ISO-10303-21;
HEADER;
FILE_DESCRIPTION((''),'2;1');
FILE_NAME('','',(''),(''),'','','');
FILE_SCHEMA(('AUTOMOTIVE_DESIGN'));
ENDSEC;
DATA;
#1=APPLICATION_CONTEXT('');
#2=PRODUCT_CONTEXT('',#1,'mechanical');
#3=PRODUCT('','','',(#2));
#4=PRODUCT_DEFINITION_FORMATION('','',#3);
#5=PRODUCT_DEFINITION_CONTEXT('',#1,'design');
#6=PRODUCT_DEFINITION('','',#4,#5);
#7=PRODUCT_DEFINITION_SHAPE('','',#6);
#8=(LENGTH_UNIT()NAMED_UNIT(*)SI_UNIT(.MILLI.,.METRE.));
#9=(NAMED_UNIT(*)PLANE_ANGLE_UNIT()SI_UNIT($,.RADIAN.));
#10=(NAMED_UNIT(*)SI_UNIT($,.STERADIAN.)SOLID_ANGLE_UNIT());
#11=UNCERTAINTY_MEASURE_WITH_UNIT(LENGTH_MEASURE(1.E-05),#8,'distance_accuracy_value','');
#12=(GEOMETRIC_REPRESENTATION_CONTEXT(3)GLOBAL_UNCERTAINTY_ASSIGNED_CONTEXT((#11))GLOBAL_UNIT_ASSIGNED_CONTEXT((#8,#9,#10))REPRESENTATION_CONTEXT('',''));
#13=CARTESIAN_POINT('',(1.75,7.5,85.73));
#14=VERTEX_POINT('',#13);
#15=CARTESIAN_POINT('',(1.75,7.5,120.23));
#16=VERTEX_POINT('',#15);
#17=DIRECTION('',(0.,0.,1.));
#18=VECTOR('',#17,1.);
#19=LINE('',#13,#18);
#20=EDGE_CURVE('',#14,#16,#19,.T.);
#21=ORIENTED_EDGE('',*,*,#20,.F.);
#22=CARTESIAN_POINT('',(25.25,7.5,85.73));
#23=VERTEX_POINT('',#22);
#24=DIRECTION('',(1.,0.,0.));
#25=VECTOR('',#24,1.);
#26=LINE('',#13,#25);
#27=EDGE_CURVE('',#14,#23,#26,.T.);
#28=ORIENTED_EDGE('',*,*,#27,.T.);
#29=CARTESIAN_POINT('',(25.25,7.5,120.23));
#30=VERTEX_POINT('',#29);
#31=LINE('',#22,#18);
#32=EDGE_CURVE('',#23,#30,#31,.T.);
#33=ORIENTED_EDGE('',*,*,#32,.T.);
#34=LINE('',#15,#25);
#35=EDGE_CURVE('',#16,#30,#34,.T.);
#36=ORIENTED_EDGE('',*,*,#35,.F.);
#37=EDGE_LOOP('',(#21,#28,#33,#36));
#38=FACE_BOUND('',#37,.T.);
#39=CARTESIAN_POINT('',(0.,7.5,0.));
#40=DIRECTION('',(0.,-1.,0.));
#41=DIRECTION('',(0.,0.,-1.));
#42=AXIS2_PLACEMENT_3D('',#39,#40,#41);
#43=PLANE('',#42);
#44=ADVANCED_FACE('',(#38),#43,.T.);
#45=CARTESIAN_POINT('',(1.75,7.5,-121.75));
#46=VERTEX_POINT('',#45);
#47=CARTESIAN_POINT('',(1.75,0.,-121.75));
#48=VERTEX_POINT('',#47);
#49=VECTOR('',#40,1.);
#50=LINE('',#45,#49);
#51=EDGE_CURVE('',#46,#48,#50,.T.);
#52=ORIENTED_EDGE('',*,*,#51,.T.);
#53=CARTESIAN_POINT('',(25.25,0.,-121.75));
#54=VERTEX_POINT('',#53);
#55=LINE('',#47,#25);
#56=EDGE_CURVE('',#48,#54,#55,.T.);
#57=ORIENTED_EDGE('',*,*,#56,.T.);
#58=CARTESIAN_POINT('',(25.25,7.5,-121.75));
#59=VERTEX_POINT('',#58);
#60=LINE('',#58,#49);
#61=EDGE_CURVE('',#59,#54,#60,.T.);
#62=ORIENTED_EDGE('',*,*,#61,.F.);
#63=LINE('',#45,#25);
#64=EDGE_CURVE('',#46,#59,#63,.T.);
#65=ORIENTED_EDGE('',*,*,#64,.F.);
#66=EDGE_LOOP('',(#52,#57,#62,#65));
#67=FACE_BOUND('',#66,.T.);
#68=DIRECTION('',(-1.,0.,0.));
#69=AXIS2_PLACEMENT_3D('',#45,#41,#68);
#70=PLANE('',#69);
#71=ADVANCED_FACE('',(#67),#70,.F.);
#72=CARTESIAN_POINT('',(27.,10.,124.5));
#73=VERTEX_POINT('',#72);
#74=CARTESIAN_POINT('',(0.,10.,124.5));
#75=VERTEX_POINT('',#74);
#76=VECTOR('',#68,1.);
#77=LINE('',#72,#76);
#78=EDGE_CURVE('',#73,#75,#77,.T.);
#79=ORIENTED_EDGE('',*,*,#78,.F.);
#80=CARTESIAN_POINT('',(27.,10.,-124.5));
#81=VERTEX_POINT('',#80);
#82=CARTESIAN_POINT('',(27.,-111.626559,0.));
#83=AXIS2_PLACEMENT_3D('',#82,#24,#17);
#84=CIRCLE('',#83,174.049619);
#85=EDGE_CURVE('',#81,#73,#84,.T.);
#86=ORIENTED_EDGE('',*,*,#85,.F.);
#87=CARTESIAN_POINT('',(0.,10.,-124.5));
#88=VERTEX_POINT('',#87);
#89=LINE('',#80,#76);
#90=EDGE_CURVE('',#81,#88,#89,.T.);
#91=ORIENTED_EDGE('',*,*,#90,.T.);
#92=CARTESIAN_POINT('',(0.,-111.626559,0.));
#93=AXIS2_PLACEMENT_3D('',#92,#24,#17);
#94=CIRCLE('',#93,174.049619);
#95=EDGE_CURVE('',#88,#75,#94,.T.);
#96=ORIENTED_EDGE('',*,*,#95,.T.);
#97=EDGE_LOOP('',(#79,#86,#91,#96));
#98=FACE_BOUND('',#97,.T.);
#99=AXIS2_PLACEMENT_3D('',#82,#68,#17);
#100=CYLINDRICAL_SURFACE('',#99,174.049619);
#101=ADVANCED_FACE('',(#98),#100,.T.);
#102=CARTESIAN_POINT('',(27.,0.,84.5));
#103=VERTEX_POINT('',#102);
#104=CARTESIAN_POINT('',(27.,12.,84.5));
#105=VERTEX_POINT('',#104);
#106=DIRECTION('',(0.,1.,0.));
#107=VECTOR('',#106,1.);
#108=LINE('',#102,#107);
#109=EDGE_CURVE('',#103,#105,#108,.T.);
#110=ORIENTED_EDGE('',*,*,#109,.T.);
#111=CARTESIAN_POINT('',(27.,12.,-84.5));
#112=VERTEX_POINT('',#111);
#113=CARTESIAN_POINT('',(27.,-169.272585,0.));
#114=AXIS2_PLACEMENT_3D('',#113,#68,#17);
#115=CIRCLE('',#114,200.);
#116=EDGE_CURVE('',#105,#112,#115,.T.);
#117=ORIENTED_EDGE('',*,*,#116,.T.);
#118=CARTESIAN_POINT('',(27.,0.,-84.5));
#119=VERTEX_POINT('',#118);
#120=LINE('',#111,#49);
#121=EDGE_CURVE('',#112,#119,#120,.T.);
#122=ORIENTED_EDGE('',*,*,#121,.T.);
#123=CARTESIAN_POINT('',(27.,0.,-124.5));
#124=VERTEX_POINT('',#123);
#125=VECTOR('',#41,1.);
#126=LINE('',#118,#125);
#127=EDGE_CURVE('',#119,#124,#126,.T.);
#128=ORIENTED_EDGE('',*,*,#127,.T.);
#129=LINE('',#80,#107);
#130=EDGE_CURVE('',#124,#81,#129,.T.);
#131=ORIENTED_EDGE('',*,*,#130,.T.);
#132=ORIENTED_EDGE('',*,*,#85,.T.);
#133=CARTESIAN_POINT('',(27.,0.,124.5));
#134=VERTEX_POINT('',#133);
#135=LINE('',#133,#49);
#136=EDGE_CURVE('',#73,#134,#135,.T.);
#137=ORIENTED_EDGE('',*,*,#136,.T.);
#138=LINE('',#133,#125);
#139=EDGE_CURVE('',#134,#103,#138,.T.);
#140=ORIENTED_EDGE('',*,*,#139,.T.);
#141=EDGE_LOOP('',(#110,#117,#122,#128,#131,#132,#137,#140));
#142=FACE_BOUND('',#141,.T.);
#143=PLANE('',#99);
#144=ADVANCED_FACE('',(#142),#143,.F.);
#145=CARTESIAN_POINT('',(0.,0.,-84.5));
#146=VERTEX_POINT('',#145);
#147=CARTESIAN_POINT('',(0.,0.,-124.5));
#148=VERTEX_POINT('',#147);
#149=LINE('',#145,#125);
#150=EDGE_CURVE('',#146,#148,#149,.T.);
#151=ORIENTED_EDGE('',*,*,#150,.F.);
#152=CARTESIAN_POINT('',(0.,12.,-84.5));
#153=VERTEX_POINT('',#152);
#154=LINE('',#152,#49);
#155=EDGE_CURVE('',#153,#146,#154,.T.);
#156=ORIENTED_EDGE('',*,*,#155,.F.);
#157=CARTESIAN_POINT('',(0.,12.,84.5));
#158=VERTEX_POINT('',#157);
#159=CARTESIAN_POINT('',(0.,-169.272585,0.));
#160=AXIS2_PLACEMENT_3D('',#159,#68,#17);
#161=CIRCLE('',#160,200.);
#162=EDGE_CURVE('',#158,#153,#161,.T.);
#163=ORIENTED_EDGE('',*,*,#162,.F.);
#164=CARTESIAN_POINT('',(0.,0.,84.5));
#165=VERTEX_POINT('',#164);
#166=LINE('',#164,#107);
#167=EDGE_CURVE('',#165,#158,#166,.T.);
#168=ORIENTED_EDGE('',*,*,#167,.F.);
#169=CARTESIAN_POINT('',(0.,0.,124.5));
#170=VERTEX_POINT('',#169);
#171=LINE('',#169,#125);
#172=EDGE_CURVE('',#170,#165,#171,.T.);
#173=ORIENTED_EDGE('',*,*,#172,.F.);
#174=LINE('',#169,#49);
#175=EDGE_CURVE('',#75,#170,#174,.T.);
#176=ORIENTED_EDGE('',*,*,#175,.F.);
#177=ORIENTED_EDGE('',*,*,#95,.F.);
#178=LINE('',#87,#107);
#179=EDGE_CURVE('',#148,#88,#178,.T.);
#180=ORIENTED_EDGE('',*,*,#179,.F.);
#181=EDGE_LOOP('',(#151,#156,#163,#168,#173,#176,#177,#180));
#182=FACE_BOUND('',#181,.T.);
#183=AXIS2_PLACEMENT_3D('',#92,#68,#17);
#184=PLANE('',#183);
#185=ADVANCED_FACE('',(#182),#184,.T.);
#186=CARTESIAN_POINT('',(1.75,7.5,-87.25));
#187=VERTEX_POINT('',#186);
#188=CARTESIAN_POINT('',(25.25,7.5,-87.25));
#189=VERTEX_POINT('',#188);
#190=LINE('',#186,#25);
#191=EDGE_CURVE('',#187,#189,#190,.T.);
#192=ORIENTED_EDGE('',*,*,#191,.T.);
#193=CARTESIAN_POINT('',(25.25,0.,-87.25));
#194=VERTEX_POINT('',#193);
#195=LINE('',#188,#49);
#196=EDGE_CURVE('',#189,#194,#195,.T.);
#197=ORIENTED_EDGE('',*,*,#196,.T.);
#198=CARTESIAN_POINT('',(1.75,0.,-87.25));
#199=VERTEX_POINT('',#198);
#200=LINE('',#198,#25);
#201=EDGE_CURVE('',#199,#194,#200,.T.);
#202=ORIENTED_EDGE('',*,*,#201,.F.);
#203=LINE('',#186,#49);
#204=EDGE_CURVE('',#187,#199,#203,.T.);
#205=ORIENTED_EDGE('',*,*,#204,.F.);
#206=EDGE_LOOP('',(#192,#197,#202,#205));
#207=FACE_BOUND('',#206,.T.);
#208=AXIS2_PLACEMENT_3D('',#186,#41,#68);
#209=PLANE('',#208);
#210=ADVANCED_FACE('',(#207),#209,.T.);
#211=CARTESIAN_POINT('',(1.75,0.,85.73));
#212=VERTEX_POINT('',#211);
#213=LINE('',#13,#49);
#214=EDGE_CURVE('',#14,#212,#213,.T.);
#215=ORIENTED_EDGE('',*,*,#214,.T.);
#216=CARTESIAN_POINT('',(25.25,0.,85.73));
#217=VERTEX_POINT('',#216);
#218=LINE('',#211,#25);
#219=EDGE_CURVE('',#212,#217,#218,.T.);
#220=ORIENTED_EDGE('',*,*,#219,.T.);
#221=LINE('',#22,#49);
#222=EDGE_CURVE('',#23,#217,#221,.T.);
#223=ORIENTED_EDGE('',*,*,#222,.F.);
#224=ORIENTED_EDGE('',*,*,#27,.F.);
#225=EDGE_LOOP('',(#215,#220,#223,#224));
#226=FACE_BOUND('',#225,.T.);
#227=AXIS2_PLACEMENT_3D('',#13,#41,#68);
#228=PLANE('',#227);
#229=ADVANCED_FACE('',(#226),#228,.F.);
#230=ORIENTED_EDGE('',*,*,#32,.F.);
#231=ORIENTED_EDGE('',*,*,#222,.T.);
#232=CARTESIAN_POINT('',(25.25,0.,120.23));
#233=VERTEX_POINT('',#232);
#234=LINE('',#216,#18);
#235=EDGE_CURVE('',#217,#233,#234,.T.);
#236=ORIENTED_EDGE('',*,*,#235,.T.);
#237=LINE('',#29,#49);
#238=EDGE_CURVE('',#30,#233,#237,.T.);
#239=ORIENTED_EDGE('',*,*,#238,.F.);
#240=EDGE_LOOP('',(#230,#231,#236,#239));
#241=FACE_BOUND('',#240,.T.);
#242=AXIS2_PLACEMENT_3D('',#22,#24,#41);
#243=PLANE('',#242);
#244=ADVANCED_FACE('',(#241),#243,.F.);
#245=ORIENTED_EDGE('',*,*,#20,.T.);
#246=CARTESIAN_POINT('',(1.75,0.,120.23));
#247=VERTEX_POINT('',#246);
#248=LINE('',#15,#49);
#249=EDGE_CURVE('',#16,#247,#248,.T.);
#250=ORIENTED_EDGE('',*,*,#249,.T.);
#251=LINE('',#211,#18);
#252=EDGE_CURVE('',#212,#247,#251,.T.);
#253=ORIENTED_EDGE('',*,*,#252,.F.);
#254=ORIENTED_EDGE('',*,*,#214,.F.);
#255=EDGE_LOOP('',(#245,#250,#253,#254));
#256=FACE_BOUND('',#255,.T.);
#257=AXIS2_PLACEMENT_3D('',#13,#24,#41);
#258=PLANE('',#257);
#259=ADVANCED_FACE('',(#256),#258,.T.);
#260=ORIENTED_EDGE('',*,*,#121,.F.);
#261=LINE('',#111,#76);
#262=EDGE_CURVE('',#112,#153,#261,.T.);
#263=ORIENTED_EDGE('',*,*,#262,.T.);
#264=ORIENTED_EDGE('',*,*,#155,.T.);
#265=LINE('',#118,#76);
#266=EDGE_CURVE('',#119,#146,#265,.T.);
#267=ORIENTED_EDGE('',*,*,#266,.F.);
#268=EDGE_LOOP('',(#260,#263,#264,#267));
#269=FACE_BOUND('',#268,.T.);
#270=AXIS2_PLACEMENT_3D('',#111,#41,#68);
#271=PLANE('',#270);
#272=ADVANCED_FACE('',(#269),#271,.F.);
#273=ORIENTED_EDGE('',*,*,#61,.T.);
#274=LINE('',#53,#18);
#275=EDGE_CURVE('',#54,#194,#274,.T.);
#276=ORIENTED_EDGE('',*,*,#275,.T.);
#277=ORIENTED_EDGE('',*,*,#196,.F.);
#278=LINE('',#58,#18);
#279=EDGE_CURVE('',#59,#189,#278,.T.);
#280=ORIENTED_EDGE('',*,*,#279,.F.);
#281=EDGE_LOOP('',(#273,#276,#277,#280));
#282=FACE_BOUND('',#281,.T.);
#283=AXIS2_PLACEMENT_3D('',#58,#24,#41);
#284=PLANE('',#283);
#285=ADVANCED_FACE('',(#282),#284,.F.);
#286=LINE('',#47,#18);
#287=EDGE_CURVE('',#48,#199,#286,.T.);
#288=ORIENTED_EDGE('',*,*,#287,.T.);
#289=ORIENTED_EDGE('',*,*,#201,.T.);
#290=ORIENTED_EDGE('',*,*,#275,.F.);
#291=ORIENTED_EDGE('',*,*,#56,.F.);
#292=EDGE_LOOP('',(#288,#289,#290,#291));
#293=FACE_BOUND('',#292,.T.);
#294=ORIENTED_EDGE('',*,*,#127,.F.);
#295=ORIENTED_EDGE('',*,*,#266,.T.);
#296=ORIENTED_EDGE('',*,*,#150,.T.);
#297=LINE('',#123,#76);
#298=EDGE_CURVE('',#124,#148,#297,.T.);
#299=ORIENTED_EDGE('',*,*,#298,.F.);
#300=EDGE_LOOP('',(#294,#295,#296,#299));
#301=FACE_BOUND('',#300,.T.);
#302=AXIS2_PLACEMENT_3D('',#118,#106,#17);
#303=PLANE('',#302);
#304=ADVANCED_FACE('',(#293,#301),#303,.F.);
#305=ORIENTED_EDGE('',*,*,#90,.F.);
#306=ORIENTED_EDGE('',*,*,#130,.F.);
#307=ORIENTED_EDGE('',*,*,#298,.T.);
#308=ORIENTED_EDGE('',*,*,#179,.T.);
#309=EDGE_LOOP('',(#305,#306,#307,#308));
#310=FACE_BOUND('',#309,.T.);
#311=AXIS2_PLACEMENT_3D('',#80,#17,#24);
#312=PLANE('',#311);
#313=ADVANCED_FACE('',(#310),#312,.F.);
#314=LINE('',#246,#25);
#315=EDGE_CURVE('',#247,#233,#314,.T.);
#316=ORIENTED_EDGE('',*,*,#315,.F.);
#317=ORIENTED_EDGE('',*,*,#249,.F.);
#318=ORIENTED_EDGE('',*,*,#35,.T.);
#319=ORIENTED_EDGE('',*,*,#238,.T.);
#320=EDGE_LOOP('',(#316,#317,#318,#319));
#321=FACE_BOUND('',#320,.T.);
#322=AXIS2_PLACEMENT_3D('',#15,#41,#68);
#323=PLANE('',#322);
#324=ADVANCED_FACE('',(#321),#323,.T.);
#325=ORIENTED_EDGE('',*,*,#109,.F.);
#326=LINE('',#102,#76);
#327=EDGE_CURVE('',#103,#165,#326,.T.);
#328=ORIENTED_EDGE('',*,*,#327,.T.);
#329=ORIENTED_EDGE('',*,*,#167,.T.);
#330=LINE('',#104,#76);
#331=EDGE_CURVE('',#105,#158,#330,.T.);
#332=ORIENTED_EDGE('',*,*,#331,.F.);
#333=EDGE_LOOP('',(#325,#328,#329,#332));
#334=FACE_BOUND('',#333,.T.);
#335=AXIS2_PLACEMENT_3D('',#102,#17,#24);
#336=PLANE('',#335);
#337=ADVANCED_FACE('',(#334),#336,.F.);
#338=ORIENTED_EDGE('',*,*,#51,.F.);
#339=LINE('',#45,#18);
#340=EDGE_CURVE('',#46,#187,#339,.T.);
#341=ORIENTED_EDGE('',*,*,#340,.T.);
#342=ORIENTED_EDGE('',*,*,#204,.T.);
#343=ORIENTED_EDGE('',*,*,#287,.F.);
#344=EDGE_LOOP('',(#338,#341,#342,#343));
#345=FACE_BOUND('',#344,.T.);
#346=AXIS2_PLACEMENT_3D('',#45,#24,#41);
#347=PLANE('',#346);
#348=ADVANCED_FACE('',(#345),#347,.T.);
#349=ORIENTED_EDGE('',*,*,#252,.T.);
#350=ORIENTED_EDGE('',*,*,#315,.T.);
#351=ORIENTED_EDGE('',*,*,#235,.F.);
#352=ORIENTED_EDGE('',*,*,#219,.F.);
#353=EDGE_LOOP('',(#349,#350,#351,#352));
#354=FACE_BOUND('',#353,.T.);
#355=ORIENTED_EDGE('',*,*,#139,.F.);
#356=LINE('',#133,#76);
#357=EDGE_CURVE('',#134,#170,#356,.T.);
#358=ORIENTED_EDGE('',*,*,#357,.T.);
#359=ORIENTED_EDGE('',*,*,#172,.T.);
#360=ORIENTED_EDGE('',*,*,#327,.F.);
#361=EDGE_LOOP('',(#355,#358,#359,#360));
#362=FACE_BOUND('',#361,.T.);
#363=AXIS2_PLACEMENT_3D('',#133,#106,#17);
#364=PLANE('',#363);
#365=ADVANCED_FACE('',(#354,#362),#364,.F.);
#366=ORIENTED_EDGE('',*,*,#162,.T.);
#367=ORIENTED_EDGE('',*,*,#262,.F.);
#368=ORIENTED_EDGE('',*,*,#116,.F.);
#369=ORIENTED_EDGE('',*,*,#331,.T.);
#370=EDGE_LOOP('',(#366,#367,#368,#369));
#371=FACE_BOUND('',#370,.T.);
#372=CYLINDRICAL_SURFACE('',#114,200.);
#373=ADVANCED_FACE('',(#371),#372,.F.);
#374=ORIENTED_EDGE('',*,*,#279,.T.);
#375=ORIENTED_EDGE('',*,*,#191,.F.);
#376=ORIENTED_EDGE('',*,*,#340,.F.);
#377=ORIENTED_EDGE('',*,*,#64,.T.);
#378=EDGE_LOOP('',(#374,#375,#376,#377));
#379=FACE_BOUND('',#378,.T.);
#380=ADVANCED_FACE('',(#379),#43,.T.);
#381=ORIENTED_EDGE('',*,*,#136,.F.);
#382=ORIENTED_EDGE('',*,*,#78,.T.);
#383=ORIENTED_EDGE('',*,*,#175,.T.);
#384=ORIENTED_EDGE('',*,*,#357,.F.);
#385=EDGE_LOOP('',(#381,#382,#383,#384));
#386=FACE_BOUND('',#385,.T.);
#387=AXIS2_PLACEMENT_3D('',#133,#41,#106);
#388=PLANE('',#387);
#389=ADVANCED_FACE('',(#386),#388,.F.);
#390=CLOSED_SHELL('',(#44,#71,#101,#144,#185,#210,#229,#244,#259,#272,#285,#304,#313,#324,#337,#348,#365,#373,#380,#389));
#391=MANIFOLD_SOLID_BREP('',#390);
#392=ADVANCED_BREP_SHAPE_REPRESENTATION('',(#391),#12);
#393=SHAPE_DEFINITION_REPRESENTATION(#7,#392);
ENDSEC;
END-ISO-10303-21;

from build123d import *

# Parameters (mm, degrees)
BOSS_EXTRUDE1_DEPTH = 27
SKETCH3_W           = 23.5
SKETCH3_H           = 34.5
CUT_EXTRUDE1_DEPTH  = 7.5


with BuildPart() as part:
    # Sketch1 → Boss-Extrude1 (new body)
    with BuildSketch(Plane(origin=(0, 0, 0), x_dir=(0, 0, -1), z_dir=(1, 0, 0))):
        with BuildLine():
            Line((-124.5, 0), (-84.5, 0))
            Line((-84.5, 0), (-84.5, 12))
            ThreePointArc((-84.5, 12), (0, 30.7274152), (84.5, 12))
            Line((84.5, 12), (84.5, 0))
            Line((84.5, 0), (124.5, 0))
            Line((124.5, 0), (124.5, 10))
            ThreePointArc((124.5, 10), (0, 62.423059842), (-124.5, 10))
            Line((-124.5, 10), (-124.5, 0))
        make_face()
    extrude(amount=BOSS_EXTRUDE1_DEPTH)

    # Sketch3 → Cut-Extrude1 (cut)
    with BuildSketch(Plane.XZ):
        with Locations((13.5, 102.98)):
            Rectangle(SKETCH3_W, SKETCH3_H)
        with Locations((13.5, -104.5)):
            Rectangle(SKETCH3_W, SKETCH3_H)
    extrude(amount=-CUT_EXTRUDE1_DEPTH, mode=Mode.SUBTRACT)


solid = part.part
